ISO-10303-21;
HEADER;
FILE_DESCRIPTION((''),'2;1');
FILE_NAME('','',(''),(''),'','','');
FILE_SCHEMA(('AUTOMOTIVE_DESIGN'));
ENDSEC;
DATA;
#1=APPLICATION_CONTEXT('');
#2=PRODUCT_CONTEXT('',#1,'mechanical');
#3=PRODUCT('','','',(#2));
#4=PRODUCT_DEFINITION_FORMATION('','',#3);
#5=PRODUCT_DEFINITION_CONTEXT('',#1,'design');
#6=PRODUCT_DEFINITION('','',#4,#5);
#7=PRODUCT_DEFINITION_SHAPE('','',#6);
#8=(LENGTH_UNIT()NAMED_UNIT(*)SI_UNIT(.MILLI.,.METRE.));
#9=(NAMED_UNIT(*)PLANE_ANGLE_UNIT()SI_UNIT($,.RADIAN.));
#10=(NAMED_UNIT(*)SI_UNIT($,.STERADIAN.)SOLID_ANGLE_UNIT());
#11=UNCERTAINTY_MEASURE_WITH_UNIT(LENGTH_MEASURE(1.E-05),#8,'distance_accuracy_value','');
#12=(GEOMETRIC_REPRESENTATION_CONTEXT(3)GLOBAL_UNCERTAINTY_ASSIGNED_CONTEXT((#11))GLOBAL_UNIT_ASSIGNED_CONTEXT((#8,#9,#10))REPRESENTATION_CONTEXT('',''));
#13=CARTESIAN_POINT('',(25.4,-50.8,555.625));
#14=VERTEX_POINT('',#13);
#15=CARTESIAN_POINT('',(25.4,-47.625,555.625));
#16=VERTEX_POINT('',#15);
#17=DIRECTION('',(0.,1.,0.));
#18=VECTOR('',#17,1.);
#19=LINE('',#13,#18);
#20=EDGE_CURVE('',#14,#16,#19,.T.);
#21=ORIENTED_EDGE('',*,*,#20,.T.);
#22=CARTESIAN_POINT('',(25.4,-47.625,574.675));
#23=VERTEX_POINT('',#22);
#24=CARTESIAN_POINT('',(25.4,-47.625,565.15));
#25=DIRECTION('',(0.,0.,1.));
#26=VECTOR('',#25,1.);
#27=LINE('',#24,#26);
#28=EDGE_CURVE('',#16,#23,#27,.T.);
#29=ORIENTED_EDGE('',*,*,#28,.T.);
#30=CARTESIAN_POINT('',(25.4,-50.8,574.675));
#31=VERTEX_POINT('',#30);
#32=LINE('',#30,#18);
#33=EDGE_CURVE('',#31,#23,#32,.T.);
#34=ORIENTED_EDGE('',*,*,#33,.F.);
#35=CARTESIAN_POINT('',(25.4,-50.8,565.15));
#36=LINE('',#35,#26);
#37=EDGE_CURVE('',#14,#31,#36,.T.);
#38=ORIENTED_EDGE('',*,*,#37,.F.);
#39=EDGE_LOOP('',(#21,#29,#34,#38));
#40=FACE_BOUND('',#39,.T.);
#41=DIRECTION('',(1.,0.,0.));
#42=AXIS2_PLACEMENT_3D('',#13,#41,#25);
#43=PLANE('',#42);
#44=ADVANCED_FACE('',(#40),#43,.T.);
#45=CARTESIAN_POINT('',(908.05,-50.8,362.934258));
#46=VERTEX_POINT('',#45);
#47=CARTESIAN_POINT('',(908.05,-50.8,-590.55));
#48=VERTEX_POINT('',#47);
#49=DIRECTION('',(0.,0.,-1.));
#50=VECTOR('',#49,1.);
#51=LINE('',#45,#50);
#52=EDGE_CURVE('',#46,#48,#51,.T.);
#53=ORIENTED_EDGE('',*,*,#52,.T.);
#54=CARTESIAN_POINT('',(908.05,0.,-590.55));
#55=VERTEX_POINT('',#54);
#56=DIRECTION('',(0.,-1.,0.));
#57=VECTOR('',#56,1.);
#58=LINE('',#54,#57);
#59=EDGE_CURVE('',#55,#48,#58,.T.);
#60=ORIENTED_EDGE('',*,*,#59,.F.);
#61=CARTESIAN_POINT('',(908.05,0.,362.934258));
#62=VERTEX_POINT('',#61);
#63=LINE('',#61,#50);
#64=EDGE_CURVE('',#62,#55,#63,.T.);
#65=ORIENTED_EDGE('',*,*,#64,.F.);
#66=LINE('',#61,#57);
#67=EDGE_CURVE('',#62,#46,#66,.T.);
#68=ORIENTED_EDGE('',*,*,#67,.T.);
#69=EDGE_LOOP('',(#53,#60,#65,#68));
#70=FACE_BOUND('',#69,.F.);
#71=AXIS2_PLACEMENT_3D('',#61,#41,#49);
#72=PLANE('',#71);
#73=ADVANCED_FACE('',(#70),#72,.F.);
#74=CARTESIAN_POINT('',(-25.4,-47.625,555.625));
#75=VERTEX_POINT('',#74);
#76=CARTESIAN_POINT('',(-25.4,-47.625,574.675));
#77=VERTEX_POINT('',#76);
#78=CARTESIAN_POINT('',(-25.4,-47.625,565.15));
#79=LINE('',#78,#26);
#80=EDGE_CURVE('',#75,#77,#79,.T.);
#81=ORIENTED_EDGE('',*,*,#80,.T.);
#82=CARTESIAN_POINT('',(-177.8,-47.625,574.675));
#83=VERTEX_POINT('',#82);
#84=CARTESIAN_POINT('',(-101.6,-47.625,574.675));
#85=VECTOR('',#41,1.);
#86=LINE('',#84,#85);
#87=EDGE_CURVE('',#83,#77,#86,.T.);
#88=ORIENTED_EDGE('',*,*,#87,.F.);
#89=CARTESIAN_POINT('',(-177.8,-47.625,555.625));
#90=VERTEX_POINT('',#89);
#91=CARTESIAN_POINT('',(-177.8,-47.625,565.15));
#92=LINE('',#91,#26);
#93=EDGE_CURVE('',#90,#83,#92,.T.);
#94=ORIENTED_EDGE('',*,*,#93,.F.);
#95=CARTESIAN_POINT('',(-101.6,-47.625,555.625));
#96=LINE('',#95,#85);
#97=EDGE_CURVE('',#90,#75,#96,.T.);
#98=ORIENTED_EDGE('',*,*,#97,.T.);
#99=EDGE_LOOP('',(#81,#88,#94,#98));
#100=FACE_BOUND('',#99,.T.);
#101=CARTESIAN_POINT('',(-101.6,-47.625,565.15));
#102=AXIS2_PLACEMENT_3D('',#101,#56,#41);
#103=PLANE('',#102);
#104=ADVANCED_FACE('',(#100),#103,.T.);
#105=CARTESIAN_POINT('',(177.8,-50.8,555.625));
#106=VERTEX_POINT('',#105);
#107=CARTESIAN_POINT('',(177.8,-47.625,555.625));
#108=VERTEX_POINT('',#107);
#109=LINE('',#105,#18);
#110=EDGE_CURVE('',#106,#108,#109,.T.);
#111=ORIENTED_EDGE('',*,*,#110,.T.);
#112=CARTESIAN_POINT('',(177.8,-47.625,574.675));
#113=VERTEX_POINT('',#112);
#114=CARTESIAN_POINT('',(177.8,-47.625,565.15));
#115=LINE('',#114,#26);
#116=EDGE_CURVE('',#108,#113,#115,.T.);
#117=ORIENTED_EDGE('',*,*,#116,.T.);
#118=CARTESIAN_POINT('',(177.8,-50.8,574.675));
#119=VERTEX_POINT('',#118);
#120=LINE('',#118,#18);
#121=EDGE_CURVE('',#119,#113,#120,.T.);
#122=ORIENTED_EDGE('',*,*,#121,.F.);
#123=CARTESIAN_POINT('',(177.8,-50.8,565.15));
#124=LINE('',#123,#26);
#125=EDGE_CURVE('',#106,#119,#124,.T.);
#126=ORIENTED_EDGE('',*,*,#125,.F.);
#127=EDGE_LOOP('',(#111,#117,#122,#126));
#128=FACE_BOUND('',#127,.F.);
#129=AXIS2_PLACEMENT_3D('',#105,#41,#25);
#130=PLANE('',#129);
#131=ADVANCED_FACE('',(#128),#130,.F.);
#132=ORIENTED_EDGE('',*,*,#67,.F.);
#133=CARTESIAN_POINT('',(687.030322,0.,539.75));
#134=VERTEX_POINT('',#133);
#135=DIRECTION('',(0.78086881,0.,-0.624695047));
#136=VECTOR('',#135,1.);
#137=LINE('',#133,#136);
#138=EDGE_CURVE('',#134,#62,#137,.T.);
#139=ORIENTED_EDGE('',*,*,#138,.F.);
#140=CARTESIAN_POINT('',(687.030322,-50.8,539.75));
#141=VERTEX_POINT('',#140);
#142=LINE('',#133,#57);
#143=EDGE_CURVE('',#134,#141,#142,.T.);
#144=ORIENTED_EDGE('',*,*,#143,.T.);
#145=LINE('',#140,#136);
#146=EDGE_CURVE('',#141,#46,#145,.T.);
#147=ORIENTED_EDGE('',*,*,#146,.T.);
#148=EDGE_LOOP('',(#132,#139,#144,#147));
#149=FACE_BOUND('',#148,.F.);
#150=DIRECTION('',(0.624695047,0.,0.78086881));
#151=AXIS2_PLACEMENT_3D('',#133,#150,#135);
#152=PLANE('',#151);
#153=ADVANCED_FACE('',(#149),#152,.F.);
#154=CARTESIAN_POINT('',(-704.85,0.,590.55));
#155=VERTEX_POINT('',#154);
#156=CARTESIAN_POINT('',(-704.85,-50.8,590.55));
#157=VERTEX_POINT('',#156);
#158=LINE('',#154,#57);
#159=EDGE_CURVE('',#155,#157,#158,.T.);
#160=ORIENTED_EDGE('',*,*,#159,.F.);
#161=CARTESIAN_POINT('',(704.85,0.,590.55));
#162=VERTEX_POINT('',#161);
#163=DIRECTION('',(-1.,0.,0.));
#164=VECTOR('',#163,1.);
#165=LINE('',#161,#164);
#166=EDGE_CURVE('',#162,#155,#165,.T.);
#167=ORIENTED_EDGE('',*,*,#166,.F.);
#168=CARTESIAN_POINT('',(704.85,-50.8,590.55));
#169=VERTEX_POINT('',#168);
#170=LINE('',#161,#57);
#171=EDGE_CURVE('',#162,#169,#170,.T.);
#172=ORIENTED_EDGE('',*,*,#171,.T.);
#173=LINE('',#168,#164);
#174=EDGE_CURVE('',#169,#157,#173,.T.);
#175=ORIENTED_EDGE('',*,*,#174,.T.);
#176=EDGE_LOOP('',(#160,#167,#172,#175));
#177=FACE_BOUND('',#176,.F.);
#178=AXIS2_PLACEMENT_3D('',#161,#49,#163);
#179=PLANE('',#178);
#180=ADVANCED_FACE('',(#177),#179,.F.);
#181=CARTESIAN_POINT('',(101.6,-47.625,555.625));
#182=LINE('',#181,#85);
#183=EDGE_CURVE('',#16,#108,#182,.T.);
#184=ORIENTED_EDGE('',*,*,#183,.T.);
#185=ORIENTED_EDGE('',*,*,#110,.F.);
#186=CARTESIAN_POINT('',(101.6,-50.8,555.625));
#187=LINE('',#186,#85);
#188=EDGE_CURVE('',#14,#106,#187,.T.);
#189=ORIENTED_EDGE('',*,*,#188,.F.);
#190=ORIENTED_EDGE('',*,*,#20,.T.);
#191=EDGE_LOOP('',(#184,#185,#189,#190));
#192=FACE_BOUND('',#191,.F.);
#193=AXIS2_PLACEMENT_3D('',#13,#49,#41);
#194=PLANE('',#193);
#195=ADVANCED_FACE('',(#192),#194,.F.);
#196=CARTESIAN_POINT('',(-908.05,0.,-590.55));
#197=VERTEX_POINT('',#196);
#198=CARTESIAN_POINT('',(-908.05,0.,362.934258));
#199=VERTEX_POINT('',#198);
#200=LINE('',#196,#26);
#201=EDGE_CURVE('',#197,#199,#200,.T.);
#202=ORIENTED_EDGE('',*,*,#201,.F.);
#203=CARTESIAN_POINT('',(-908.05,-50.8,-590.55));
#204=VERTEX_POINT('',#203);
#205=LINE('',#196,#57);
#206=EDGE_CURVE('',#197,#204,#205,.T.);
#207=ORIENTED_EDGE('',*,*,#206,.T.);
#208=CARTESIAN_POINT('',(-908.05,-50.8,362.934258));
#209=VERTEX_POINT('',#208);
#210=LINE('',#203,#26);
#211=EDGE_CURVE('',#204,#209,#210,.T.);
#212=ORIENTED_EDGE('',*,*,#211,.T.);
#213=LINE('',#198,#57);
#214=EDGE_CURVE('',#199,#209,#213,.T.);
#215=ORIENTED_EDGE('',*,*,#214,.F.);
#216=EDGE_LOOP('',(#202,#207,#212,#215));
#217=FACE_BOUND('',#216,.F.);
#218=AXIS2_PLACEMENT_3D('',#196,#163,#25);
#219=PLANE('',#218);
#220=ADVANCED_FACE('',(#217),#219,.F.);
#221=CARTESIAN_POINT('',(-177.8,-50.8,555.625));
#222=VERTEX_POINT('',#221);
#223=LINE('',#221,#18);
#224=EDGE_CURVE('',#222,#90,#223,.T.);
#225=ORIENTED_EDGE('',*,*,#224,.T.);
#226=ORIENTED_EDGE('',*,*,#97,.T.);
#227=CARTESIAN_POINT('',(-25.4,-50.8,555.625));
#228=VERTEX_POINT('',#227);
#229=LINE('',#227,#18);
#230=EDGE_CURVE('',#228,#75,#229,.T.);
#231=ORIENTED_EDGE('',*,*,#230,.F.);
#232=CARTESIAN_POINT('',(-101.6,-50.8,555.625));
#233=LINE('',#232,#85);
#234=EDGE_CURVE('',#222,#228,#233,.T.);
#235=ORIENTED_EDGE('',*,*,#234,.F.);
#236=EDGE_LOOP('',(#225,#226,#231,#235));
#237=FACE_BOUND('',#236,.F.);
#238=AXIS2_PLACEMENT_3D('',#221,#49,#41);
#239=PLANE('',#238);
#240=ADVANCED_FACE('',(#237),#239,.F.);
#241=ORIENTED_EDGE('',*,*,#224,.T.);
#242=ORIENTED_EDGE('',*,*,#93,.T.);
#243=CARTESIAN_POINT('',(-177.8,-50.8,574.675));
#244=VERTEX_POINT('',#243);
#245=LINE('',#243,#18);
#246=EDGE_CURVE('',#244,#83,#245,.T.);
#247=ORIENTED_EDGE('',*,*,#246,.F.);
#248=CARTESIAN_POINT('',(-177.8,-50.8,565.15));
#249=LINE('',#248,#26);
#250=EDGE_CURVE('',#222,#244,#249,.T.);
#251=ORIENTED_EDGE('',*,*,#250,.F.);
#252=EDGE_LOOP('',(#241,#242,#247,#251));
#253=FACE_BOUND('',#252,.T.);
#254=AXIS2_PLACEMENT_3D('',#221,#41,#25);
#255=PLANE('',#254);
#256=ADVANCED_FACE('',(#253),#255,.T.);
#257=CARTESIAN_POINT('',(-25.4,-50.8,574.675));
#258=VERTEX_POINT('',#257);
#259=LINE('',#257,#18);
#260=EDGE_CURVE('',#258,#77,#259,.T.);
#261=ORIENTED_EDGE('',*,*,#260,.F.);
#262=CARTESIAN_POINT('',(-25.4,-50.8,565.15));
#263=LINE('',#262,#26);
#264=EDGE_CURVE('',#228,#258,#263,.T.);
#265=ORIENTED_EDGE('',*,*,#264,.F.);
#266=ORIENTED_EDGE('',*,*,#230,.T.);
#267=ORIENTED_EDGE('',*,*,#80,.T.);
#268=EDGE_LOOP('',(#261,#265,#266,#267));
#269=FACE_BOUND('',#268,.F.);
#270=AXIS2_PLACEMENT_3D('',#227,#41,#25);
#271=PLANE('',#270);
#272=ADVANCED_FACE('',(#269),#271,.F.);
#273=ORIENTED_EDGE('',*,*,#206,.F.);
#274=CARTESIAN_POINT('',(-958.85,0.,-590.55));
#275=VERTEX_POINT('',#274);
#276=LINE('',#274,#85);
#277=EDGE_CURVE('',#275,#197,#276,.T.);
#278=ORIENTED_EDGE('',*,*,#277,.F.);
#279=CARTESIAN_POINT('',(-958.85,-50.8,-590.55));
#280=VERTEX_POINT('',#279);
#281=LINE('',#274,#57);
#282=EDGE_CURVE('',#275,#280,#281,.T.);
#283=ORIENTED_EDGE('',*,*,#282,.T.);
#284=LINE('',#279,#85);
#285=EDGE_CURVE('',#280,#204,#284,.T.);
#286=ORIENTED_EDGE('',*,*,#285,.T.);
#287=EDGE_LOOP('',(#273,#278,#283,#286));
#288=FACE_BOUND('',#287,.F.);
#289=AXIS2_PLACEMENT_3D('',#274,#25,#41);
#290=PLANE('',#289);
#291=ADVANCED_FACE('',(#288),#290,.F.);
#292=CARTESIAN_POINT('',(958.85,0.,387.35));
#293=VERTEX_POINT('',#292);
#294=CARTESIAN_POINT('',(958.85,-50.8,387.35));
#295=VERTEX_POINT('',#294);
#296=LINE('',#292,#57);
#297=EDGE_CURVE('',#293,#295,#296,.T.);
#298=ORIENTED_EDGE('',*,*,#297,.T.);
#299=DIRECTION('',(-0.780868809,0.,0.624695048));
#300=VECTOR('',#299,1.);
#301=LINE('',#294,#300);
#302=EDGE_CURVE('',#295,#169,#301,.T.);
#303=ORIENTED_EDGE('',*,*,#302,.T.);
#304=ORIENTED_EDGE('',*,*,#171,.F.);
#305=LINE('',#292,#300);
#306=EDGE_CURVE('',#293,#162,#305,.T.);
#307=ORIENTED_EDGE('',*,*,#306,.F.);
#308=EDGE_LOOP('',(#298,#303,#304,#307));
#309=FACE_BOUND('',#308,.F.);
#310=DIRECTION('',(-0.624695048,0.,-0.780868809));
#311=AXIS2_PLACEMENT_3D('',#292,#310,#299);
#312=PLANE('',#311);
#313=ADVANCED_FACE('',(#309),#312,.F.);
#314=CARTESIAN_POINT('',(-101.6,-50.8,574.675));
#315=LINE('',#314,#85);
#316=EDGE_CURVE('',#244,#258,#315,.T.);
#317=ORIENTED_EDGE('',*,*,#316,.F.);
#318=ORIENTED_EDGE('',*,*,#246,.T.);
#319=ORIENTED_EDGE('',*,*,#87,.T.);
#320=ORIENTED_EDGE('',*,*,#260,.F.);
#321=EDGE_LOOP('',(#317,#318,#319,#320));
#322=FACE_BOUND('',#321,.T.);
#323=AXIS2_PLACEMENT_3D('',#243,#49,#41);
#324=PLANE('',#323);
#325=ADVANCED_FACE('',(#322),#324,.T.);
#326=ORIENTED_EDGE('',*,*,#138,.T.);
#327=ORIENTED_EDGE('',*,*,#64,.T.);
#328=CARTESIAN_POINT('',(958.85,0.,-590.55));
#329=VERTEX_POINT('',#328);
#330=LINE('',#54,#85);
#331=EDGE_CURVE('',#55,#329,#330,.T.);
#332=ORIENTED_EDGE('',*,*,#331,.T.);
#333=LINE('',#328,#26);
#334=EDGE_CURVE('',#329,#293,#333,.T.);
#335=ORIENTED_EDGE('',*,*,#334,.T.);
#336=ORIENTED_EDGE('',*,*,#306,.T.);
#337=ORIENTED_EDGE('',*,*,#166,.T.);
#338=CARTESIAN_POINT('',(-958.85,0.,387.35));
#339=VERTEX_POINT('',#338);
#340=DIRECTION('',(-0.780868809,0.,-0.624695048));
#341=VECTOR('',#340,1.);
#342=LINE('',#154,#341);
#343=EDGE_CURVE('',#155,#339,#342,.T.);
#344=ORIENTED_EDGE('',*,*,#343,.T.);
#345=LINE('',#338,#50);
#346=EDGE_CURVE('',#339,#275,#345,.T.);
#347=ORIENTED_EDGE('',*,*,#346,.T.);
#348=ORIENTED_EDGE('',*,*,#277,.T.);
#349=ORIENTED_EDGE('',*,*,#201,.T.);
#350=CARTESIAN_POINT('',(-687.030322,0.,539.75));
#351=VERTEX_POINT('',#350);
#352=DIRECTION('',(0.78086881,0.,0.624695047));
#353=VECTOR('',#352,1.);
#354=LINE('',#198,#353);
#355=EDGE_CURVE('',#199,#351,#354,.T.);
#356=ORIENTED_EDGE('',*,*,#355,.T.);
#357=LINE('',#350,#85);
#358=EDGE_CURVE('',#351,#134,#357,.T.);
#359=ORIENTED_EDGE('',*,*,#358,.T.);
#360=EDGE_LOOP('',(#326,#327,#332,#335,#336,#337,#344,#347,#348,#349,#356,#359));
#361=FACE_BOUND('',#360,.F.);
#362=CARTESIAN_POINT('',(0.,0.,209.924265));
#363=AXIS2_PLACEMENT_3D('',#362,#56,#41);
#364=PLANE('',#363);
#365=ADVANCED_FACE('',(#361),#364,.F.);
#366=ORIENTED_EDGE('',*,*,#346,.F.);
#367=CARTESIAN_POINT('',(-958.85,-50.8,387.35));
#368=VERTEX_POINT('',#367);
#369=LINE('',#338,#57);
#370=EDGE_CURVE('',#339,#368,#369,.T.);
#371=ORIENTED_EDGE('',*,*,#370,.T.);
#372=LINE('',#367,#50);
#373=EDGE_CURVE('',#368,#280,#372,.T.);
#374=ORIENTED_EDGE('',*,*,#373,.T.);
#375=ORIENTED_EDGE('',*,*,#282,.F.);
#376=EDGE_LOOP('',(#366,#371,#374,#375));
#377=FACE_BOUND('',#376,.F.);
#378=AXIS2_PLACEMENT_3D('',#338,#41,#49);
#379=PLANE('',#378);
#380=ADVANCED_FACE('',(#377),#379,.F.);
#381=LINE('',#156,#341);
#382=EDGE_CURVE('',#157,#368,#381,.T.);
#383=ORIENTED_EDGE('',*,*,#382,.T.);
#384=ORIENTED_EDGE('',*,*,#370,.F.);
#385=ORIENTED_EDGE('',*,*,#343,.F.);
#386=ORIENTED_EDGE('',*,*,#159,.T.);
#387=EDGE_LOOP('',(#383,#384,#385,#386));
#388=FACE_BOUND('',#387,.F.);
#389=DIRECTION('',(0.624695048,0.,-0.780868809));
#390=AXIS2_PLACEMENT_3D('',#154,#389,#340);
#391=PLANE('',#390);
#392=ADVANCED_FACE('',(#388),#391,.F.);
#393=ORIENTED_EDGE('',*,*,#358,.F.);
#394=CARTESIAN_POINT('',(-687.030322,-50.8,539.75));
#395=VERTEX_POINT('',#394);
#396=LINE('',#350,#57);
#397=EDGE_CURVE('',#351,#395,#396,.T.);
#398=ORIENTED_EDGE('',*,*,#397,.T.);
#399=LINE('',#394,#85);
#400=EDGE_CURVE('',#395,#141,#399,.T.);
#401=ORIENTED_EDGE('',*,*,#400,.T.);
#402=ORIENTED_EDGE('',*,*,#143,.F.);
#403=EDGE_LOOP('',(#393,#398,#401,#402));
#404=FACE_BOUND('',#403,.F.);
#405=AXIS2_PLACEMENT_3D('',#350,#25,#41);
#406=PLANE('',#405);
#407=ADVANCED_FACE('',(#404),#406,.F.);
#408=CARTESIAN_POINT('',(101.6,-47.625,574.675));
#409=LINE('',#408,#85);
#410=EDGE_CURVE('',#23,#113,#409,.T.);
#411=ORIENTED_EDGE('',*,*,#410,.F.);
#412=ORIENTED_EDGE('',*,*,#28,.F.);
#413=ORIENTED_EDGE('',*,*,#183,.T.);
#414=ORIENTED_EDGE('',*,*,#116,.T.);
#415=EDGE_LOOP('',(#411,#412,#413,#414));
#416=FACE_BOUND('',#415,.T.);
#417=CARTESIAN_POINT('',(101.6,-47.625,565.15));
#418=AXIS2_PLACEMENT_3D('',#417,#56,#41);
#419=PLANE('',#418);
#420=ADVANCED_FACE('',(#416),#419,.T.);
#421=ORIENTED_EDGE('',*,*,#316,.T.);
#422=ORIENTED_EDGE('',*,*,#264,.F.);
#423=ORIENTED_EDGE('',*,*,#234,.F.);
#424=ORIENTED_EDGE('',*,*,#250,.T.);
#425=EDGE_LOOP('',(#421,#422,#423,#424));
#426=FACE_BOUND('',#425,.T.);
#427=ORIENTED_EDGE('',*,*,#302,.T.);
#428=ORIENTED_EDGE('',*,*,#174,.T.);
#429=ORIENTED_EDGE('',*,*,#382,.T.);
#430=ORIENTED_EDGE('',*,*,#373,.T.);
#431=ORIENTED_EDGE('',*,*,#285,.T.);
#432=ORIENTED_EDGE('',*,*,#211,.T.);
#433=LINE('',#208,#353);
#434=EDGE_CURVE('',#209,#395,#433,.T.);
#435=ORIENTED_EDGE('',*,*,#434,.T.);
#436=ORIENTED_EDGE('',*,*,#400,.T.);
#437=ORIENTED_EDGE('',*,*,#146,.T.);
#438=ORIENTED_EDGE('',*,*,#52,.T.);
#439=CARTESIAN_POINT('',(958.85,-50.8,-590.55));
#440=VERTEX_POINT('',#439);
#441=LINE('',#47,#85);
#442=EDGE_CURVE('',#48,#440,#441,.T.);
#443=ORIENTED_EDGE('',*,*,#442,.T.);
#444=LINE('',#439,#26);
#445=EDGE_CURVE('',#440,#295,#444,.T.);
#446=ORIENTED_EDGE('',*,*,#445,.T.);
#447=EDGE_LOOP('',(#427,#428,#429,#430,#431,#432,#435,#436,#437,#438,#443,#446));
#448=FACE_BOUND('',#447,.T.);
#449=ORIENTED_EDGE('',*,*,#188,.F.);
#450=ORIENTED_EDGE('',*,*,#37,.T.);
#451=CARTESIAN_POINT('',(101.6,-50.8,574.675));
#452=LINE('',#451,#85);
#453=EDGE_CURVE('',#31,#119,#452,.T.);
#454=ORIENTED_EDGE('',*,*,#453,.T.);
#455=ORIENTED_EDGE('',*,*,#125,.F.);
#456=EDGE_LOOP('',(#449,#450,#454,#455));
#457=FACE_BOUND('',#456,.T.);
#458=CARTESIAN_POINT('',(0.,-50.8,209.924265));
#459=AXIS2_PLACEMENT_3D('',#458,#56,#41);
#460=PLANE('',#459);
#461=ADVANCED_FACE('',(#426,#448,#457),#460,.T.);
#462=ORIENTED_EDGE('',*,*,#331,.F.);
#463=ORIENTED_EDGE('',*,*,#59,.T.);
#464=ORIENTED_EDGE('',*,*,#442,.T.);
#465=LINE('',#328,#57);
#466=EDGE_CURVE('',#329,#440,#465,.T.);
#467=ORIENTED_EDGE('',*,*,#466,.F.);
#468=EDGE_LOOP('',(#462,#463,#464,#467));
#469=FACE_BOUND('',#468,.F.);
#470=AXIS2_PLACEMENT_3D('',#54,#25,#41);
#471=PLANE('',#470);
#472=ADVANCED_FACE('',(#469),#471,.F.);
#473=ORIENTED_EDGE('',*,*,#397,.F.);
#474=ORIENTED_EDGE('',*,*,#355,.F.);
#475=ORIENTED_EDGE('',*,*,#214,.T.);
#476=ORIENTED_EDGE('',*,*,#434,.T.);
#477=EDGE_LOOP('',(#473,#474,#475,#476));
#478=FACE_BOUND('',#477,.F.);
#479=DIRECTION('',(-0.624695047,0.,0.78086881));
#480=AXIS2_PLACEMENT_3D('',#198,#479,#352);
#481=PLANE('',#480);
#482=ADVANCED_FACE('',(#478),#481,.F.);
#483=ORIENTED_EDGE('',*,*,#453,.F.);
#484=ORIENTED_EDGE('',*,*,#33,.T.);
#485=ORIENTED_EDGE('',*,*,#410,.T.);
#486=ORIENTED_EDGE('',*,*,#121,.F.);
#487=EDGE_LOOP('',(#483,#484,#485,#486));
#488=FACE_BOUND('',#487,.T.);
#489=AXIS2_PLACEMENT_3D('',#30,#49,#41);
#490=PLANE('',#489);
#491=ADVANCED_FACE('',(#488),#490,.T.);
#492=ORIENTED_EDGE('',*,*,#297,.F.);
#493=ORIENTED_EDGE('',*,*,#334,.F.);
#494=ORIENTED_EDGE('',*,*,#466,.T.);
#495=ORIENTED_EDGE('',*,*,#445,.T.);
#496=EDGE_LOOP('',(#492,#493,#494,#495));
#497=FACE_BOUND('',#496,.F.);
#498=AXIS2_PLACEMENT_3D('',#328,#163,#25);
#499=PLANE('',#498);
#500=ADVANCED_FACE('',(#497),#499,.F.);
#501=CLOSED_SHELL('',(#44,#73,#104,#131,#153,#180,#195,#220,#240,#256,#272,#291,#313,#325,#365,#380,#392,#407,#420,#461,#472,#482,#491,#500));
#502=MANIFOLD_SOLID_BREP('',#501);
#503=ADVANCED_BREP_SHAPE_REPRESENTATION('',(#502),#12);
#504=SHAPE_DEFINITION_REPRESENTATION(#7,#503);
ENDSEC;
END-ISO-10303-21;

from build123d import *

# Parameters (mm, degrees)
F1_DEPTH = 50.8
F2_W     = 152.4
F2_H     = 19.05
F3_DEPTH = 3.175


with BuildPart() as f1:
    # F0 (on Front) → F1 (new body)
    with BuildSketch(Plane.XZ):
        Polygon((958.85, 387.35), (704.85, 590.55), (-704.85, 590.55), (-958.85, 387.35), (-958.85, -590.55), (-908.05, -590.55), (-908.05, 362.934258), (-687.030322, 539.75), (687.030322, 539.75), (908.05, 362.934258), (908.05, -590.55), (958.85, -590.55), align=None)
    extrude(amount=F1_DEPTH)

    # F2 (on face) → F3 (cut)
    with BuildSketch(Plane.XZ.offset(50.8)):
        with Locations((-101.6, 565.15)):
            Rectangle(F2_W, F2_H)
        with Locations((101.6, 565.15)):
            Rectangle(F2_W, F2_H)
    extrude(amount=-F3_DEPTH, mode=Mode.SUBTRACT)


solid = f1.part
